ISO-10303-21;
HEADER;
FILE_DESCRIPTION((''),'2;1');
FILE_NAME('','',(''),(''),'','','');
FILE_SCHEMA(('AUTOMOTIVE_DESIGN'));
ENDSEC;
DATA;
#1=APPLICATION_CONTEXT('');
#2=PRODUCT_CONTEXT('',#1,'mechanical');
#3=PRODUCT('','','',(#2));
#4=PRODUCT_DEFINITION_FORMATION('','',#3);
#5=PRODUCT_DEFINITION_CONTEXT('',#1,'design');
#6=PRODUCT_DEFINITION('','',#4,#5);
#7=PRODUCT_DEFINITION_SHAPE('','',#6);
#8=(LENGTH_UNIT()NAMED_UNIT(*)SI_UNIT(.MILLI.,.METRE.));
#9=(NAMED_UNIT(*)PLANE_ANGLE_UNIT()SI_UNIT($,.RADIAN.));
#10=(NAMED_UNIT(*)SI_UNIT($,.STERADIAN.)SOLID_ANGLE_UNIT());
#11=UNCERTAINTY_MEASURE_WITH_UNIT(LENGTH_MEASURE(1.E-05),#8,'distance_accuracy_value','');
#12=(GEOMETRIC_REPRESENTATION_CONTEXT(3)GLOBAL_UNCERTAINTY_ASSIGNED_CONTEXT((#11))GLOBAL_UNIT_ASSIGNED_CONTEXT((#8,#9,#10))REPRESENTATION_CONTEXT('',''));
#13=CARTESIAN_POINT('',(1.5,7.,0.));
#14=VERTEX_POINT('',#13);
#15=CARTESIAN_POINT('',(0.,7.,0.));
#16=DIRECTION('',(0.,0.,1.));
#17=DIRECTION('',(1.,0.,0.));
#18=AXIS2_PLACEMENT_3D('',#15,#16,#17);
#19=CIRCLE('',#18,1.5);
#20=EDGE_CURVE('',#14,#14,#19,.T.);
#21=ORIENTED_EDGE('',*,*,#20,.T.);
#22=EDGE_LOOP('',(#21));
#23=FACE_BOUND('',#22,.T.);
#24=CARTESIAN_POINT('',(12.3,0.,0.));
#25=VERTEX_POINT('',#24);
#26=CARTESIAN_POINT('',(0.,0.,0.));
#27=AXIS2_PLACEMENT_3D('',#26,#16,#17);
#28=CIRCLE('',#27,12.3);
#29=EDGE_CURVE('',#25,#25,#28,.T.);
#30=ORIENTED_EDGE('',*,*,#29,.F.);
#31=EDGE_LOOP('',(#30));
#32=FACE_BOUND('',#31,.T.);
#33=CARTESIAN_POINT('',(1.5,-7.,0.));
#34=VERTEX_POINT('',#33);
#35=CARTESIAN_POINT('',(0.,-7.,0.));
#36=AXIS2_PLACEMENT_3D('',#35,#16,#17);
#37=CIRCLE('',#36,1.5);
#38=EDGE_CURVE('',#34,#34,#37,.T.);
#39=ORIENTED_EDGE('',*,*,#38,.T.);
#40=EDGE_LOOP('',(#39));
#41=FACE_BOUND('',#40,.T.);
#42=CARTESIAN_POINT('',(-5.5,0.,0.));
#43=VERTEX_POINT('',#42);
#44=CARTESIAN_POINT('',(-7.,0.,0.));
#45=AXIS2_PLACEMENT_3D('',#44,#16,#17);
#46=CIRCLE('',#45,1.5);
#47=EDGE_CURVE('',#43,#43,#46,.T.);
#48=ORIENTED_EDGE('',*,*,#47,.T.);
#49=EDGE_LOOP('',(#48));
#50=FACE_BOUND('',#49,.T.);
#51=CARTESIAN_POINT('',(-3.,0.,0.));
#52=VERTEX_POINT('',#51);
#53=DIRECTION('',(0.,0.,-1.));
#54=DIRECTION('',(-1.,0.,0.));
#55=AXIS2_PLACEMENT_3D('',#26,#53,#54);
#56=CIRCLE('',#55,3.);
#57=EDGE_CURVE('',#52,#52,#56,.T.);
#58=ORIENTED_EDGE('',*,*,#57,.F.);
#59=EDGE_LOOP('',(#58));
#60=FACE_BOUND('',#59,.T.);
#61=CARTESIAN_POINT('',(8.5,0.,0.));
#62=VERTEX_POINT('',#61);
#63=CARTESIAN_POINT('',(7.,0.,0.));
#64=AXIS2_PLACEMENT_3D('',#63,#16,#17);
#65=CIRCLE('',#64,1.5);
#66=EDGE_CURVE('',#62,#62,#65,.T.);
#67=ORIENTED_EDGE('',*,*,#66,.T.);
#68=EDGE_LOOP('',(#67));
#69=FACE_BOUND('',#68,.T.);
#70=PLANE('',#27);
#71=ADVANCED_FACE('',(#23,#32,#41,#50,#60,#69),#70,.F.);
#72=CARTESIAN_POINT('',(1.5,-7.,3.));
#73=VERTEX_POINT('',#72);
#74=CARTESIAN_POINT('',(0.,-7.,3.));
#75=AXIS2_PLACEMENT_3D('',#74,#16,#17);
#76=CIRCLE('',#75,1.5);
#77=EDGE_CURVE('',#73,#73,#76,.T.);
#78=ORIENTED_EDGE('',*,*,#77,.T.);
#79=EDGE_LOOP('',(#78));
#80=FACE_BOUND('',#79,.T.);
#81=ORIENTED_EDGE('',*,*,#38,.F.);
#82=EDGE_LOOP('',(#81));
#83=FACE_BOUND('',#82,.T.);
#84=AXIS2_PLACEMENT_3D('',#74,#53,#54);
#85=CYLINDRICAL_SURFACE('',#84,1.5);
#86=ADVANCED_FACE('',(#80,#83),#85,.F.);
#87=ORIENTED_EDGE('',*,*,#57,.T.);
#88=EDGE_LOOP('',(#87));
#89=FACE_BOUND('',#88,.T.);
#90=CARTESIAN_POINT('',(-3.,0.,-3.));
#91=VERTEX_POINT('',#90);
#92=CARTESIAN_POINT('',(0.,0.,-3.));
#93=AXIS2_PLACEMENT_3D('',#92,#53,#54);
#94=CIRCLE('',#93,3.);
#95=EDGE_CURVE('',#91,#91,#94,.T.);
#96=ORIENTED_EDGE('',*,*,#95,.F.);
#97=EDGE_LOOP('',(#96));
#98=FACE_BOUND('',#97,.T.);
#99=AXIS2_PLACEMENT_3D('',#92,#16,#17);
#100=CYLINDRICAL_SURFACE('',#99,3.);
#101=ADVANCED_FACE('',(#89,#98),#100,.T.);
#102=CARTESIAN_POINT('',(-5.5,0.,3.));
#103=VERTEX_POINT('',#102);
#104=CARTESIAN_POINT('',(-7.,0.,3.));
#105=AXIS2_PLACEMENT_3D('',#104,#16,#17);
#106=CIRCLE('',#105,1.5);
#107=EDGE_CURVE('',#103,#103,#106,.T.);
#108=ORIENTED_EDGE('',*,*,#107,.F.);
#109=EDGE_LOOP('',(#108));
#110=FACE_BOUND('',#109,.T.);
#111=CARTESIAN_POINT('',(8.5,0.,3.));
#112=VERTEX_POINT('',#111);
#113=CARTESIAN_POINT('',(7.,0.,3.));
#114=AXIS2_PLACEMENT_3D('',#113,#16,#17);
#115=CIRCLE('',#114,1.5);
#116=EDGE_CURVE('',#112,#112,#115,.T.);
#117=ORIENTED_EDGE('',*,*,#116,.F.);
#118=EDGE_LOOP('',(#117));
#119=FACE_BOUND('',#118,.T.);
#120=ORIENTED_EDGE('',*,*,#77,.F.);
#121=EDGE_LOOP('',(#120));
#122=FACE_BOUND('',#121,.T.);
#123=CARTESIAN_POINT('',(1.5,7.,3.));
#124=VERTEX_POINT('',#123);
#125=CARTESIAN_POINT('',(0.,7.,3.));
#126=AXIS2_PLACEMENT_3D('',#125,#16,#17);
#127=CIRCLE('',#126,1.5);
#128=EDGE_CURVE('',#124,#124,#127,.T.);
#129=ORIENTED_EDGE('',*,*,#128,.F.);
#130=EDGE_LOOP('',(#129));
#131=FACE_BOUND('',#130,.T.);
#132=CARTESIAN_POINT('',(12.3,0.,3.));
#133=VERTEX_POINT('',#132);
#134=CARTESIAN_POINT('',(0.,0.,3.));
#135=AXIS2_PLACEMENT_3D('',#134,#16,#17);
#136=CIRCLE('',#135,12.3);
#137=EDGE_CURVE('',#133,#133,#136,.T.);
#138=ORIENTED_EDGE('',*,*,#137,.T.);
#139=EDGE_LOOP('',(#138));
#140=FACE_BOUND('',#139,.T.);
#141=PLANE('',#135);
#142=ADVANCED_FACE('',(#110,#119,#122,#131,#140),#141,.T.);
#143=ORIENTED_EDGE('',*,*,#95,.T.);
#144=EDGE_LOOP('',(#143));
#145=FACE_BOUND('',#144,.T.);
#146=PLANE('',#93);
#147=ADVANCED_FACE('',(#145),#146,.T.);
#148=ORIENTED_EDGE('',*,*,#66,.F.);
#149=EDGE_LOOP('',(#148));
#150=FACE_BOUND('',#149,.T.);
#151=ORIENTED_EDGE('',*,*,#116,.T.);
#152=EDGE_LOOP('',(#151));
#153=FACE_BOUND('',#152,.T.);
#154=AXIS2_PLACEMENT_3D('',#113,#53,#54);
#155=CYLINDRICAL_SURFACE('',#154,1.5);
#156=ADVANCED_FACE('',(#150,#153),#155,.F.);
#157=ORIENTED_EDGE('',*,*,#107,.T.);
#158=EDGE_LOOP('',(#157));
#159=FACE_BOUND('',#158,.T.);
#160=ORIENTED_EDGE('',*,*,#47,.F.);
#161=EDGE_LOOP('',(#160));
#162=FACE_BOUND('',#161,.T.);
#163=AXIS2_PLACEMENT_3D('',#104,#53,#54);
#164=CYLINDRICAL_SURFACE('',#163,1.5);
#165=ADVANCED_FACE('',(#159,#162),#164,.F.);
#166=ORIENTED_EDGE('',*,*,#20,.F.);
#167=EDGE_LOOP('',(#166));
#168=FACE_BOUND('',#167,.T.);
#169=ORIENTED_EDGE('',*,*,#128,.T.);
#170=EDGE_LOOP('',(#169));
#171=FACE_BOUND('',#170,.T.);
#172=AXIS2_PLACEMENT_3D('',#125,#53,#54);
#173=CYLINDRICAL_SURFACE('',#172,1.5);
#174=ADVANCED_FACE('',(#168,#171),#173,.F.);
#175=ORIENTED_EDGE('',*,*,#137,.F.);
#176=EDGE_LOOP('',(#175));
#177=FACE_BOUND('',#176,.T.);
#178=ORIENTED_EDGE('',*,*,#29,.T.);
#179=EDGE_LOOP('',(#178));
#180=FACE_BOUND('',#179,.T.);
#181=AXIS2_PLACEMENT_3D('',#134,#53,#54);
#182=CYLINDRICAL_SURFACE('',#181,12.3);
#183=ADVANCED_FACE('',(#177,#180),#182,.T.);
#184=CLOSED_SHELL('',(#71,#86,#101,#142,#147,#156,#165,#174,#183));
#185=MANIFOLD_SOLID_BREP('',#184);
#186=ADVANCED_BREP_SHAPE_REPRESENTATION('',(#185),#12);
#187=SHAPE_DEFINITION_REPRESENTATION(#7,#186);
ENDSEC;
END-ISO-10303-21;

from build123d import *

# Parameters (mm, degrees)
SKETCH2_R           = 12.3
SKETCH2_R_2         = 1.5
BOSS_EXTRUDE1_DEPTH = 3
SKETCH3_R           = 3
BOSS_EXTRUDE2_DEPTH = 3


with BuildPart() as part:
    # Sketch2 → Boss-Extrude1 (new body)
    with BuildSketch(Plane.XY):
        Circle(SKETCH2_R)
        with Locations((-7, 0)):
            Circle(SKETCH2_R_2, mode=Mode.SUBTRACT)
        with Locations((0, 7)):
            Circle(SKETCH2_R_2, mode=Mode.SUBTRACT)
        with Locations((7, 0)):
            Circle(SKETCH2_R_2, mode=Mode.SUBTRACT)
        with Locations((0, -7)):
            Circle(SKETCH2_R_2, mode=Mode.SUBTRACT)
    extrude(amount=BOSS_EXTRUDE1_DEPTH)

    # Sketch3 → Boss-Extrude2 (add)
    with BuildSketch(Plane(origin=(0, 0, 0), x_dir=(-1, 0, 0), z_dir=(0, 0, -1))):
        Circle(SKETCH3_R)
    extrude(amount=BOSS_EXTRUDE2_DEPTH)


solid = part.part
